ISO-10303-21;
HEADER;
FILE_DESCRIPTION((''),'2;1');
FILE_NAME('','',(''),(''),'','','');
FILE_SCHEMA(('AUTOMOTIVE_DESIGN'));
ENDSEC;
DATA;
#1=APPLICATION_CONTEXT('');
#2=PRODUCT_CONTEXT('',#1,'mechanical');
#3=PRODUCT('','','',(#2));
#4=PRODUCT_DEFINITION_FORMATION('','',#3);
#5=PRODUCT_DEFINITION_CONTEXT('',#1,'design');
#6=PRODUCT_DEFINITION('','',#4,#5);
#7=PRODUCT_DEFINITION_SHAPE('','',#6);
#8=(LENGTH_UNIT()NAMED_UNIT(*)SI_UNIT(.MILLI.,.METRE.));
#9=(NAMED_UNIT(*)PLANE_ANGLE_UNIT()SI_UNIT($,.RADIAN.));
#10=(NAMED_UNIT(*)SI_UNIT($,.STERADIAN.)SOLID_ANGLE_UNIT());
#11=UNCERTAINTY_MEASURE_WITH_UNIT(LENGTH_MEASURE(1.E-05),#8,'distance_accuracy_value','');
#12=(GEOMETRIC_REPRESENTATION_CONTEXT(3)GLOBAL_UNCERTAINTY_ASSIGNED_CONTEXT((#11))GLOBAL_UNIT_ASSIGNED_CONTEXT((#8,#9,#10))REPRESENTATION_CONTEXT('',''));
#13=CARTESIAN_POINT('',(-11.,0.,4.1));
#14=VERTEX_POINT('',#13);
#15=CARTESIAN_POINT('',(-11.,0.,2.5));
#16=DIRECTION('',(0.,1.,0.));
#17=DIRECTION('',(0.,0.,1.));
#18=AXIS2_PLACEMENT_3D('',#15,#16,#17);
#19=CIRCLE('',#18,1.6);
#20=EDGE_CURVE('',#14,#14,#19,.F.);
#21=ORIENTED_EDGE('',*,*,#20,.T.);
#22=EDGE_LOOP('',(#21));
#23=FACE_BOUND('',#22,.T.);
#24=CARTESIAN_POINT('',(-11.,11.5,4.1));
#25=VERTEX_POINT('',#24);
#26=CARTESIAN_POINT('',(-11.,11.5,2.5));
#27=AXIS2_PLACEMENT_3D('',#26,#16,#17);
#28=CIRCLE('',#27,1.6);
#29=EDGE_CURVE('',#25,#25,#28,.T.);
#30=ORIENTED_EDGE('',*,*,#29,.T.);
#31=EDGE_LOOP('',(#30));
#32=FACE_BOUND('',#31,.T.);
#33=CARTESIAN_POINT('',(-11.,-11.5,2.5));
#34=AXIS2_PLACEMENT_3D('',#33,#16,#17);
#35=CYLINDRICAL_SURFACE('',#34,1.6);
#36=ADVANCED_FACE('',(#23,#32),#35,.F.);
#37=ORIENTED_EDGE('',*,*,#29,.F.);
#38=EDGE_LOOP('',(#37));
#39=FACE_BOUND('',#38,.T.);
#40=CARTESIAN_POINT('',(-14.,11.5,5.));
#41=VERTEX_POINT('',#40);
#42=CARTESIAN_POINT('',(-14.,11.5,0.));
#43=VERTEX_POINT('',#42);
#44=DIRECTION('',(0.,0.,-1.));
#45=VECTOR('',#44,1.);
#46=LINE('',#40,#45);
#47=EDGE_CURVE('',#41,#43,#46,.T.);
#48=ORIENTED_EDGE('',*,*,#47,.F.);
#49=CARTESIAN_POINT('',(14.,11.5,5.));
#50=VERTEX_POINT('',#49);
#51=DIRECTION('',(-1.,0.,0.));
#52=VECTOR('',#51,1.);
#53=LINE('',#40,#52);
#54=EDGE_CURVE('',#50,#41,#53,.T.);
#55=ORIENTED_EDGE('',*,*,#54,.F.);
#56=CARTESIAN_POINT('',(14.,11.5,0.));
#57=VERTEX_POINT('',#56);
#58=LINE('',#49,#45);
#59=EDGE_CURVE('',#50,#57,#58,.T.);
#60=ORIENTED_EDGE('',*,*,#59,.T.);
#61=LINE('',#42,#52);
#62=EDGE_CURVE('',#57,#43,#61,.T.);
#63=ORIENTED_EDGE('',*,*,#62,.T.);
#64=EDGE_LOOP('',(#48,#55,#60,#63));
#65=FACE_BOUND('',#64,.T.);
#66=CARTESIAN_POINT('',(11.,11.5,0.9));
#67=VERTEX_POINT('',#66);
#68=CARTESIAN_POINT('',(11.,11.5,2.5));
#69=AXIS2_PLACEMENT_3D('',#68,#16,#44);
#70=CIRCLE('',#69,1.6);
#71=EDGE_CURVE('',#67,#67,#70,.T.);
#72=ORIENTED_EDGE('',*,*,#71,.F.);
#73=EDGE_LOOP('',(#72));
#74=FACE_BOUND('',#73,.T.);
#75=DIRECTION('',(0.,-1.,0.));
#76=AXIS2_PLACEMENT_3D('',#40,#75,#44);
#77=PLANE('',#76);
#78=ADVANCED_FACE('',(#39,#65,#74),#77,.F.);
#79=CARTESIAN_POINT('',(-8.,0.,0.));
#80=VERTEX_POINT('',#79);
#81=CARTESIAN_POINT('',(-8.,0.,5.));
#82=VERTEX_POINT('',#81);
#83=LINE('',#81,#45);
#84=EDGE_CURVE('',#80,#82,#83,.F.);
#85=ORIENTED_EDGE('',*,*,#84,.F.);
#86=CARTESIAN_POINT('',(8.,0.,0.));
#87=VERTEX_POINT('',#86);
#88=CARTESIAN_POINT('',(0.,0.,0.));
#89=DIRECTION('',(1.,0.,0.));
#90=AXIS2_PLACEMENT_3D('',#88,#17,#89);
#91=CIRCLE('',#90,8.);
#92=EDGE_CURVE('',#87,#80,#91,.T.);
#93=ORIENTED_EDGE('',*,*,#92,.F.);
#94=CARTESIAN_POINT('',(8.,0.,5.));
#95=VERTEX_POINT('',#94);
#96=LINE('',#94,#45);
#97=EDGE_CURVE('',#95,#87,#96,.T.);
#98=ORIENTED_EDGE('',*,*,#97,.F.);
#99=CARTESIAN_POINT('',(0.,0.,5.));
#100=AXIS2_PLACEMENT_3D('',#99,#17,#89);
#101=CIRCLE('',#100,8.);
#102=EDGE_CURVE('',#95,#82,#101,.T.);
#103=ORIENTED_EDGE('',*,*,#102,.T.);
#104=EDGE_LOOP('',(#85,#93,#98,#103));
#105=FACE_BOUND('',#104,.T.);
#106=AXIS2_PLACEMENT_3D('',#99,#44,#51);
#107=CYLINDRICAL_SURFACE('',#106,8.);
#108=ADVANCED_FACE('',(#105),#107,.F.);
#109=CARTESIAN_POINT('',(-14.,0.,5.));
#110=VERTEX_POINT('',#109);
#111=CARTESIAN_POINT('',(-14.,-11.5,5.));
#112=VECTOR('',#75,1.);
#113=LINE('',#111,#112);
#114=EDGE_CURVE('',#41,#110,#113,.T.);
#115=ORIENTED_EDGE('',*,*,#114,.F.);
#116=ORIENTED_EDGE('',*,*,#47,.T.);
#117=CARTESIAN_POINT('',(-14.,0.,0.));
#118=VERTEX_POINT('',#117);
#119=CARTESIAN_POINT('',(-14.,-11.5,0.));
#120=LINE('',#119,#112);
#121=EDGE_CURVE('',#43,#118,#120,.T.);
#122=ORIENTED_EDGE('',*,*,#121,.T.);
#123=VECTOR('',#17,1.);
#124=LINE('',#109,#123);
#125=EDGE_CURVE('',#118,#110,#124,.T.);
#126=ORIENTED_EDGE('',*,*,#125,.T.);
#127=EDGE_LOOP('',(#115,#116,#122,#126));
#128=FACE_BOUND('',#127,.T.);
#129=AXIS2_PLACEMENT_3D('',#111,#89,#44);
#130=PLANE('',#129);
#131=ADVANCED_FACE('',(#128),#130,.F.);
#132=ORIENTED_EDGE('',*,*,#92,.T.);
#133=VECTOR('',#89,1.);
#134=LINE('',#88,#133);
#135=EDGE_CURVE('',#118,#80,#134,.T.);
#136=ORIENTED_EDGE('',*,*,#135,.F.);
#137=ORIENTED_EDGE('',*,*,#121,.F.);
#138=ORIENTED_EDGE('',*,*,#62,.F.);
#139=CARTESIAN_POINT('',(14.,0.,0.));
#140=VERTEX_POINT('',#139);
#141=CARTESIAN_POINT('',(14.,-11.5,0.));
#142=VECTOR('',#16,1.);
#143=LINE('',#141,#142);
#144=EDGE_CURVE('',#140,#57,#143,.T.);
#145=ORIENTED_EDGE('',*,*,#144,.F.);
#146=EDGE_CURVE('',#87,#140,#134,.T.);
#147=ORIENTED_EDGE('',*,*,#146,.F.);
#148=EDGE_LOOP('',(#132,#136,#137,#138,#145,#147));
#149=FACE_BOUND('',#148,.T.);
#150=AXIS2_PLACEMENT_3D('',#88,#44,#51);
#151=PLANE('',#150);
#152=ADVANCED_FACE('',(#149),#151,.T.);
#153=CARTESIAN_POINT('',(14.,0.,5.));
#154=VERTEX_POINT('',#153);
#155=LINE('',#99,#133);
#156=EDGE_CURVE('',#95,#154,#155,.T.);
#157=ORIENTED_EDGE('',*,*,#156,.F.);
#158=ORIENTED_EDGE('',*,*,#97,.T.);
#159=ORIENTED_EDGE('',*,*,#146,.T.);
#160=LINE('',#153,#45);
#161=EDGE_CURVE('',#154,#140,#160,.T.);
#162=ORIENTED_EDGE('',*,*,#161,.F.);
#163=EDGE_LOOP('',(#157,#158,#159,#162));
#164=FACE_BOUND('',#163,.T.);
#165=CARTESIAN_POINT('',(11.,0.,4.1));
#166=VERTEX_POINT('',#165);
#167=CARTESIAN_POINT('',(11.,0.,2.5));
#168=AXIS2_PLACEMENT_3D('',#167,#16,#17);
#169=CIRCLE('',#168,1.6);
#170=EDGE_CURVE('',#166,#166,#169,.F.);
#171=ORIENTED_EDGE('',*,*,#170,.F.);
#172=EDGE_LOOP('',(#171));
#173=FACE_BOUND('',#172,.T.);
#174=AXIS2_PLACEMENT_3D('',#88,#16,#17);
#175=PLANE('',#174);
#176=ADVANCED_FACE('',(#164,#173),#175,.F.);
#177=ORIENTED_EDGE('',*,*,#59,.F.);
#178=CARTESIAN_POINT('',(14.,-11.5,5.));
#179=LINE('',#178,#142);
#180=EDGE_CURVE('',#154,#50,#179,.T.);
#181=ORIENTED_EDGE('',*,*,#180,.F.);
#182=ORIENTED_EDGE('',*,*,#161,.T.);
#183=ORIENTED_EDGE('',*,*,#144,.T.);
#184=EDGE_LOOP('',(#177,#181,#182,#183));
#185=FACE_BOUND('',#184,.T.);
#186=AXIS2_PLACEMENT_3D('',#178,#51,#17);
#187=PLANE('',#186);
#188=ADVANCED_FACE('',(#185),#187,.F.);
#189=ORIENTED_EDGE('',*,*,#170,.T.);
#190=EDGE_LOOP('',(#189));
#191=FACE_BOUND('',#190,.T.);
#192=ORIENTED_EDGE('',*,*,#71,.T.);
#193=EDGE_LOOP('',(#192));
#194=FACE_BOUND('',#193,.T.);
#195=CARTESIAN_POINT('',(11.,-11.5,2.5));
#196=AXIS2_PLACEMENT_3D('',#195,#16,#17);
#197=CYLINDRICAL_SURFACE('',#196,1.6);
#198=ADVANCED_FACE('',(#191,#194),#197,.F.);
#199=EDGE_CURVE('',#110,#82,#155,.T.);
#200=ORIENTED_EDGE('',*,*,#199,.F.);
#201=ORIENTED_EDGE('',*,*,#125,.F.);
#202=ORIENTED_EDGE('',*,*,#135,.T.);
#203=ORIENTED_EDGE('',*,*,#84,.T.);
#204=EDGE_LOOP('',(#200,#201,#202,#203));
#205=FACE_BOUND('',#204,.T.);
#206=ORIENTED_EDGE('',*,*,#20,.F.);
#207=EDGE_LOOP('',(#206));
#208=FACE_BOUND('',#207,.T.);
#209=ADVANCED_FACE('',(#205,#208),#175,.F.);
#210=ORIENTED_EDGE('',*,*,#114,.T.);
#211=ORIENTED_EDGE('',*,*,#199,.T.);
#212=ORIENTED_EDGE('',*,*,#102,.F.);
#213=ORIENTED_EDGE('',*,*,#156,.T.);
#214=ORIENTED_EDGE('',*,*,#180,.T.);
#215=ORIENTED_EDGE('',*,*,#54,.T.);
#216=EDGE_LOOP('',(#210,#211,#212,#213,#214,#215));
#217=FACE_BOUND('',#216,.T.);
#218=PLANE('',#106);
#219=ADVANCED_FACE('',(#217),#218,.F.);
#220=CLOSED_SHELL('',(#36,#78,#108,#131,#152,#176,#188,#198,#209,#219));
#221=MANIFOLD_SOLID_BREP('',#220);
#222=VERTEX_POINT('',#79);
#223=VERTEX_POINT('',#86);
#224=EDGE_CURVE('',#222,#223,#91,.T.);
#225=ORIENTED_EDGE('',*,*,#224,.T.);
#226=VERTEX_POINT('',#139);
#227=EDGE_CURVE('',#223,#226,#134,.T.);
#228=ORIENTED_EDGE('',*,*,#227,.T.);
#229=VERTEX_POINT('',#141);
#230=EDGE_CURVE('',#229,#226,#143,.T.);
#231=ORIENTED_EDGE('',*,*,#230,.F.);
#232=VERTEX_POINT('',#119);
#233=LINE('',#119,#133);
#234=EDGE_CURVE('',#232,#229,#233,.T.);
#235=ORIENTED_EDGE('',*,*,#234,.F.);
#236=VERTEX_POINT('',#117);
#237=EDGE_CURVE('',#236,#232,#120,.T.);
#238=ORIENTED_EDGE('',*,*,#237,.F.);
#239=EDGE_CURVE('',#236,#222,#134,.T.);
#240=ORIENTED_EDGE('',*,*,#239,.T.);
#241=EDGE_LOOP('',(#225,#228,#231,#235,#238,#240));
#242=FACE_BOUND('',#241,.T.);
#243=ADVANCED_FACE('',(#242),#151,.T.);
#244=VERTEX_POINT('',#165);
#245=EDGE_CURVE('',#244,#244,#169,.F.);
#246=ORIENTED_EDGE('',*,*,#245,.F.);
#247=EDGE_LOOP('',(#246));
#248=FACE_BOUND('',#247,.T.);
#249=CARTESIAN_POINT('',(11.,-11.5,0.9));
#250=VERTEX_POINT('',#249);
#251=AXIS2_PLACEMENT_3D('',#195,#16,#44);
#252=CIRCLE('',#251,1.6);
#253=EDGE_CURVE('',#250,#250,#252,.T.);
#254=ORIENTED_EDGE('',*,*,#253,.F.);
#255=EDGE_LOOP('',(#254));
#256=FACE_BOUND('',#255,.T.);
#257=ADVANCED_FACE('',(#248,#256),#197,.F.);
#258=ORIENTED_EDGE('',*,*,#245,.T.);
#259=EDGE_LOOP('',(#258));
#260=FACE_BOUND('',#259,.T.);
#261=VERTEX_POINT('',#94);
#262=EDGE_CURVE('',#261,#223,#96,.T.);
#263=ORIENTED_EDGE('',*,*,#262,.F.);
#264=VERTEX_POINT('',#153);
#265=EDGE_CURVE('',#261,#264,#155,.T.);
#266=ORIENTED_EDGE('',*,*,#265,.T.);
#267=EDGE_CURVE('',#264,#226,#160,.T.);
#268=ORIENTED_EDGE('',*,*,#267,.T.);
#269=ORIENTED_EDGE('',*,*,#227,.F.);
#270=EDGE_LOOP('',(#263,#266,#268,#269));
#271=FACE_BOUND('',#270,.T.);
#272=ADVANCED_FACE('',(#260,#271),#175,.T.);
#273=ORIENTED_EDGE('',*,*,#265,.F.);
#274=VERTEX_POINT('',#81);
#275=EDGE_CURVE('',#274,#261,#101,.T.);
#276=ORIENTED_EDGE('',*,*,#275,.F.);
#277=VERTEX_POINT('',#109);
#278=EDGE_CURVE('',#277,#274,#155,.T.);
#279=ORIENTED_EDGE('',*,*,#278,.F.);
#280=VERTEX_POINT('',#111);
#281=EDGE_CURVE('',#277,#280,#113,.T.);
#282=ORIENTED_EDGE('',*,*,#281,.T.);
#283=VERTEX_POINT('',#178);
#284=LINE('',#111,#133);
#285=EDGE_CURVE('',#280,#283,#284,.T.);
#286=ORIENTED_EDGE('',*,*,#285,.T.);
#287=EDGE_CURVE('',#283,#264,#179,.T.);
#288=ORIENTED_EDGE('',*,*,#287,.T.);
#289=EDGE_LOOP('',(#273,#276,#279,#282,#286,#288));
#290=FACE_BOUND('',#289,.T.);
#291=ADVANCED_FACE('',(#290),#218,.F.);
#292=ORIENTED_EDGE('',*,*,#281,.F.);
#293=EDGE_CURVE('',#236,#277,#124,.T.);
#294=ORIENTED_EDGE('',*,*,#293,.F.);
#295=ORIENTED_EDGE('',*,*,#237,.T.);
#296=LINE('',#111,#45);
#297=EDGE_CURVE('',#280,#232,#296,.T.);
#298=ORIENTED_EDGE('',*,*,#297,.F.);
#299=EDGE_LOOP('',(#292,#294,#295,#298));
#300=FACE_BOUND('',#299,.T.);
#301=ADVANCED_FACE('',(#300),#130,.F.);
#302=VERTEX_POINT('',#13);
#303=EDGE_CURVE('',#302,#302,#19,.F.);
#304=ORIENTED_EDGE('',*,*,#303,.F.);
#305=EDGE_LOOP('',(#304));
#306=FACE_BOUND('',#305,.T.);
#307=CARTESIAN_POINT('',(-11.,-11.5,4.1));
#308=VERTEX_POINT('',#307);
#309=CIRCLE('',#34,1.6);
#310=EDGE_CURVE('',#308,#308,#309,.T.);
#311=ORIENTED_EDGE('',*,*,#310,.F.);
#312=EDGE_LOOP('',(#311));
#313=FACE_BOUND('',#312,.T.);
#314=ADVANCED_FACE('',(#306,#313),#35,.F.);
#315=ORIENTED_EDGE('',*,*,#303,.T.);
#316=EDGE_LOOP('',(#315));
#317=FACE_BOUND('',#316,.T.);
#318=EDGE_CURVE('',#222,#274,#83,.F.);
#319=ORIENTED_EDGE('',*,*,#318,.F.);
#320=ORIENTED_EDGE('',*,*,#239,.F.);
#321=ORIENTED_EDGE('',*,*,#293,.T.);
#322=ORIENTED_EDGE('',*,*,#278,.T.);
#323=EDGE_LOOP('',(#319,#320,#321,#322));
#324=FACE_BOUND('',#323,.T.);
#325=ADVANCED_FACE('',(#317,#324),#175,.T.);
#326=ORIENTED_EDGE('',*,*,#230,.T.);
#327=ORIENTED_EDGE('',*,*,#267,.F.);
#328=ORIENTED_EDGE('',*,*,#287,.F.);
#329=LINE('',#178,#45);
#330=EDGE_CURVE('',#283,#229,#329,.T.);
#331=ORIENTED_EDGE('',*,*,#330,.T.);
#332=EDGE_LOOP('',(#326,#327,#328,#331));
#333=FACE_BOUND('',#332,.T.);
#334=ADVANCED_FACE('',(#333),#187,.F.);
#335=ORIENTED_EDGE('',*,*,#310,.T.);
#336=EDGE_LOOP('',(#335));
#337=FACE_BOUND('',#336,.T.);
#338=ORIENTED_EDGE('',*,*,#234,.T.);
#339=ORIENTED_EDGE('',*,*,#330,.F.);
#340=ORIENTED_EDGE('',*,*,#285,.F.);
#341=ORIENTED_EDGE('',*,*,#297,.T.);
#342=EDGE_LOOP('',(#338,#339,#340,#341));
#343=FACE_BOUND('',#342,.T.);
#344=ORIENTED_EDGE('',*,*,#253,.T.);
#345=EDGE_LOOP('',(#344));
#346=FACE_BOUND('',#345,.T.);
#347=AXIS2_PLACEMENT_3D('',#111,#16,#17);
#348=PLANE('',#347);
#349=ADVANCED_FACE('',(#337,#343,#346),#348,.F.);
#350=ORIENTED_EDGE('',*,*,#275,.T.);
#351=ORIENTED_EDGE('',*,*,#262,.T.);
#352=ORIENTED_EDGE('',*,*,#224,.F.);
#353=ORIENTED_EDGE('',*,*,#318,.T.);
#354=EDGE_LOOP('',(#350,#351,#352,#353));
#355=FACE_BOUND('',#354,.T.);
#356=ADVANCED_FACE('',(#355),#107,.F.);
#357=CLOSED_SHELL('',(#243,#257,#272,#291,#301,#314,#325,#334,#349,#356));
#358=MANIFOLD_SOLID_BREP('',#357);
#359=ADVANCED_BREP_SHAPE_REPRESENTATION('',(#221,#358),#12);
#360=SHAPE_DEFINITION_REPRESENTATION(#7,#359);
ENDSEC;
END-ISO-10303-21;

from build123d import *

# Parameters (mm, degrees)
SKETCH_1_W          = 28
SKETCH_1_H          = 23
SKETCH_1_R          = 8
EXTRUDE_1_DEPTH     = 5
SKETCH_2_R          = 1.6
CUT_EXTRUDE_1_DEPTH = 28.386127875


with BuildPart() as part:
    # 草图1 → 凸台-拉伸1 (new body)
    with BuildSketch(Plane.XY):
        Rectangle(SKETCH_1_W, SKETCH_1_H)
        Circle(SKETCH_1_R, mode=Mode.SUBTRACT)
    extrude(amount=EXTRUDE_1_DEPTH)

    # 草图2 → 切除-拉伸1 (cut, through all)
    with BuildSketch(Plane(origin=(0, 11.5, 0), x_dir=(1, 0, 0), z_dir=(0, 1, 0))):
        with Locations(Location((-11, -2.5, 0), (0, 0, 270))):
            Circle(SKETCH_2_R)
        with Locations(Location((11, -2.5, 0), (0, 0, 90))):
            Circle(SKETCH_2_R)
    extrude(amount=-CUT_EXTRUDE_1_DEPTH, mode=Mode.SUBTRACT)


with BuildPart() as body_2:
    # Split Bodies 1: the piece on the far side of the plane
    add(part.part)
    split(bisect_by=Plane.ZX, keep=Keep.BOTTOM)


with BuildPart() as part_1:
    add(part.part)

    # Split Bodies 1
    split(bisect_by=Plane.ZX, keep=Keep.TOP)


solid = Compound([body_2.part, part_1.part])
